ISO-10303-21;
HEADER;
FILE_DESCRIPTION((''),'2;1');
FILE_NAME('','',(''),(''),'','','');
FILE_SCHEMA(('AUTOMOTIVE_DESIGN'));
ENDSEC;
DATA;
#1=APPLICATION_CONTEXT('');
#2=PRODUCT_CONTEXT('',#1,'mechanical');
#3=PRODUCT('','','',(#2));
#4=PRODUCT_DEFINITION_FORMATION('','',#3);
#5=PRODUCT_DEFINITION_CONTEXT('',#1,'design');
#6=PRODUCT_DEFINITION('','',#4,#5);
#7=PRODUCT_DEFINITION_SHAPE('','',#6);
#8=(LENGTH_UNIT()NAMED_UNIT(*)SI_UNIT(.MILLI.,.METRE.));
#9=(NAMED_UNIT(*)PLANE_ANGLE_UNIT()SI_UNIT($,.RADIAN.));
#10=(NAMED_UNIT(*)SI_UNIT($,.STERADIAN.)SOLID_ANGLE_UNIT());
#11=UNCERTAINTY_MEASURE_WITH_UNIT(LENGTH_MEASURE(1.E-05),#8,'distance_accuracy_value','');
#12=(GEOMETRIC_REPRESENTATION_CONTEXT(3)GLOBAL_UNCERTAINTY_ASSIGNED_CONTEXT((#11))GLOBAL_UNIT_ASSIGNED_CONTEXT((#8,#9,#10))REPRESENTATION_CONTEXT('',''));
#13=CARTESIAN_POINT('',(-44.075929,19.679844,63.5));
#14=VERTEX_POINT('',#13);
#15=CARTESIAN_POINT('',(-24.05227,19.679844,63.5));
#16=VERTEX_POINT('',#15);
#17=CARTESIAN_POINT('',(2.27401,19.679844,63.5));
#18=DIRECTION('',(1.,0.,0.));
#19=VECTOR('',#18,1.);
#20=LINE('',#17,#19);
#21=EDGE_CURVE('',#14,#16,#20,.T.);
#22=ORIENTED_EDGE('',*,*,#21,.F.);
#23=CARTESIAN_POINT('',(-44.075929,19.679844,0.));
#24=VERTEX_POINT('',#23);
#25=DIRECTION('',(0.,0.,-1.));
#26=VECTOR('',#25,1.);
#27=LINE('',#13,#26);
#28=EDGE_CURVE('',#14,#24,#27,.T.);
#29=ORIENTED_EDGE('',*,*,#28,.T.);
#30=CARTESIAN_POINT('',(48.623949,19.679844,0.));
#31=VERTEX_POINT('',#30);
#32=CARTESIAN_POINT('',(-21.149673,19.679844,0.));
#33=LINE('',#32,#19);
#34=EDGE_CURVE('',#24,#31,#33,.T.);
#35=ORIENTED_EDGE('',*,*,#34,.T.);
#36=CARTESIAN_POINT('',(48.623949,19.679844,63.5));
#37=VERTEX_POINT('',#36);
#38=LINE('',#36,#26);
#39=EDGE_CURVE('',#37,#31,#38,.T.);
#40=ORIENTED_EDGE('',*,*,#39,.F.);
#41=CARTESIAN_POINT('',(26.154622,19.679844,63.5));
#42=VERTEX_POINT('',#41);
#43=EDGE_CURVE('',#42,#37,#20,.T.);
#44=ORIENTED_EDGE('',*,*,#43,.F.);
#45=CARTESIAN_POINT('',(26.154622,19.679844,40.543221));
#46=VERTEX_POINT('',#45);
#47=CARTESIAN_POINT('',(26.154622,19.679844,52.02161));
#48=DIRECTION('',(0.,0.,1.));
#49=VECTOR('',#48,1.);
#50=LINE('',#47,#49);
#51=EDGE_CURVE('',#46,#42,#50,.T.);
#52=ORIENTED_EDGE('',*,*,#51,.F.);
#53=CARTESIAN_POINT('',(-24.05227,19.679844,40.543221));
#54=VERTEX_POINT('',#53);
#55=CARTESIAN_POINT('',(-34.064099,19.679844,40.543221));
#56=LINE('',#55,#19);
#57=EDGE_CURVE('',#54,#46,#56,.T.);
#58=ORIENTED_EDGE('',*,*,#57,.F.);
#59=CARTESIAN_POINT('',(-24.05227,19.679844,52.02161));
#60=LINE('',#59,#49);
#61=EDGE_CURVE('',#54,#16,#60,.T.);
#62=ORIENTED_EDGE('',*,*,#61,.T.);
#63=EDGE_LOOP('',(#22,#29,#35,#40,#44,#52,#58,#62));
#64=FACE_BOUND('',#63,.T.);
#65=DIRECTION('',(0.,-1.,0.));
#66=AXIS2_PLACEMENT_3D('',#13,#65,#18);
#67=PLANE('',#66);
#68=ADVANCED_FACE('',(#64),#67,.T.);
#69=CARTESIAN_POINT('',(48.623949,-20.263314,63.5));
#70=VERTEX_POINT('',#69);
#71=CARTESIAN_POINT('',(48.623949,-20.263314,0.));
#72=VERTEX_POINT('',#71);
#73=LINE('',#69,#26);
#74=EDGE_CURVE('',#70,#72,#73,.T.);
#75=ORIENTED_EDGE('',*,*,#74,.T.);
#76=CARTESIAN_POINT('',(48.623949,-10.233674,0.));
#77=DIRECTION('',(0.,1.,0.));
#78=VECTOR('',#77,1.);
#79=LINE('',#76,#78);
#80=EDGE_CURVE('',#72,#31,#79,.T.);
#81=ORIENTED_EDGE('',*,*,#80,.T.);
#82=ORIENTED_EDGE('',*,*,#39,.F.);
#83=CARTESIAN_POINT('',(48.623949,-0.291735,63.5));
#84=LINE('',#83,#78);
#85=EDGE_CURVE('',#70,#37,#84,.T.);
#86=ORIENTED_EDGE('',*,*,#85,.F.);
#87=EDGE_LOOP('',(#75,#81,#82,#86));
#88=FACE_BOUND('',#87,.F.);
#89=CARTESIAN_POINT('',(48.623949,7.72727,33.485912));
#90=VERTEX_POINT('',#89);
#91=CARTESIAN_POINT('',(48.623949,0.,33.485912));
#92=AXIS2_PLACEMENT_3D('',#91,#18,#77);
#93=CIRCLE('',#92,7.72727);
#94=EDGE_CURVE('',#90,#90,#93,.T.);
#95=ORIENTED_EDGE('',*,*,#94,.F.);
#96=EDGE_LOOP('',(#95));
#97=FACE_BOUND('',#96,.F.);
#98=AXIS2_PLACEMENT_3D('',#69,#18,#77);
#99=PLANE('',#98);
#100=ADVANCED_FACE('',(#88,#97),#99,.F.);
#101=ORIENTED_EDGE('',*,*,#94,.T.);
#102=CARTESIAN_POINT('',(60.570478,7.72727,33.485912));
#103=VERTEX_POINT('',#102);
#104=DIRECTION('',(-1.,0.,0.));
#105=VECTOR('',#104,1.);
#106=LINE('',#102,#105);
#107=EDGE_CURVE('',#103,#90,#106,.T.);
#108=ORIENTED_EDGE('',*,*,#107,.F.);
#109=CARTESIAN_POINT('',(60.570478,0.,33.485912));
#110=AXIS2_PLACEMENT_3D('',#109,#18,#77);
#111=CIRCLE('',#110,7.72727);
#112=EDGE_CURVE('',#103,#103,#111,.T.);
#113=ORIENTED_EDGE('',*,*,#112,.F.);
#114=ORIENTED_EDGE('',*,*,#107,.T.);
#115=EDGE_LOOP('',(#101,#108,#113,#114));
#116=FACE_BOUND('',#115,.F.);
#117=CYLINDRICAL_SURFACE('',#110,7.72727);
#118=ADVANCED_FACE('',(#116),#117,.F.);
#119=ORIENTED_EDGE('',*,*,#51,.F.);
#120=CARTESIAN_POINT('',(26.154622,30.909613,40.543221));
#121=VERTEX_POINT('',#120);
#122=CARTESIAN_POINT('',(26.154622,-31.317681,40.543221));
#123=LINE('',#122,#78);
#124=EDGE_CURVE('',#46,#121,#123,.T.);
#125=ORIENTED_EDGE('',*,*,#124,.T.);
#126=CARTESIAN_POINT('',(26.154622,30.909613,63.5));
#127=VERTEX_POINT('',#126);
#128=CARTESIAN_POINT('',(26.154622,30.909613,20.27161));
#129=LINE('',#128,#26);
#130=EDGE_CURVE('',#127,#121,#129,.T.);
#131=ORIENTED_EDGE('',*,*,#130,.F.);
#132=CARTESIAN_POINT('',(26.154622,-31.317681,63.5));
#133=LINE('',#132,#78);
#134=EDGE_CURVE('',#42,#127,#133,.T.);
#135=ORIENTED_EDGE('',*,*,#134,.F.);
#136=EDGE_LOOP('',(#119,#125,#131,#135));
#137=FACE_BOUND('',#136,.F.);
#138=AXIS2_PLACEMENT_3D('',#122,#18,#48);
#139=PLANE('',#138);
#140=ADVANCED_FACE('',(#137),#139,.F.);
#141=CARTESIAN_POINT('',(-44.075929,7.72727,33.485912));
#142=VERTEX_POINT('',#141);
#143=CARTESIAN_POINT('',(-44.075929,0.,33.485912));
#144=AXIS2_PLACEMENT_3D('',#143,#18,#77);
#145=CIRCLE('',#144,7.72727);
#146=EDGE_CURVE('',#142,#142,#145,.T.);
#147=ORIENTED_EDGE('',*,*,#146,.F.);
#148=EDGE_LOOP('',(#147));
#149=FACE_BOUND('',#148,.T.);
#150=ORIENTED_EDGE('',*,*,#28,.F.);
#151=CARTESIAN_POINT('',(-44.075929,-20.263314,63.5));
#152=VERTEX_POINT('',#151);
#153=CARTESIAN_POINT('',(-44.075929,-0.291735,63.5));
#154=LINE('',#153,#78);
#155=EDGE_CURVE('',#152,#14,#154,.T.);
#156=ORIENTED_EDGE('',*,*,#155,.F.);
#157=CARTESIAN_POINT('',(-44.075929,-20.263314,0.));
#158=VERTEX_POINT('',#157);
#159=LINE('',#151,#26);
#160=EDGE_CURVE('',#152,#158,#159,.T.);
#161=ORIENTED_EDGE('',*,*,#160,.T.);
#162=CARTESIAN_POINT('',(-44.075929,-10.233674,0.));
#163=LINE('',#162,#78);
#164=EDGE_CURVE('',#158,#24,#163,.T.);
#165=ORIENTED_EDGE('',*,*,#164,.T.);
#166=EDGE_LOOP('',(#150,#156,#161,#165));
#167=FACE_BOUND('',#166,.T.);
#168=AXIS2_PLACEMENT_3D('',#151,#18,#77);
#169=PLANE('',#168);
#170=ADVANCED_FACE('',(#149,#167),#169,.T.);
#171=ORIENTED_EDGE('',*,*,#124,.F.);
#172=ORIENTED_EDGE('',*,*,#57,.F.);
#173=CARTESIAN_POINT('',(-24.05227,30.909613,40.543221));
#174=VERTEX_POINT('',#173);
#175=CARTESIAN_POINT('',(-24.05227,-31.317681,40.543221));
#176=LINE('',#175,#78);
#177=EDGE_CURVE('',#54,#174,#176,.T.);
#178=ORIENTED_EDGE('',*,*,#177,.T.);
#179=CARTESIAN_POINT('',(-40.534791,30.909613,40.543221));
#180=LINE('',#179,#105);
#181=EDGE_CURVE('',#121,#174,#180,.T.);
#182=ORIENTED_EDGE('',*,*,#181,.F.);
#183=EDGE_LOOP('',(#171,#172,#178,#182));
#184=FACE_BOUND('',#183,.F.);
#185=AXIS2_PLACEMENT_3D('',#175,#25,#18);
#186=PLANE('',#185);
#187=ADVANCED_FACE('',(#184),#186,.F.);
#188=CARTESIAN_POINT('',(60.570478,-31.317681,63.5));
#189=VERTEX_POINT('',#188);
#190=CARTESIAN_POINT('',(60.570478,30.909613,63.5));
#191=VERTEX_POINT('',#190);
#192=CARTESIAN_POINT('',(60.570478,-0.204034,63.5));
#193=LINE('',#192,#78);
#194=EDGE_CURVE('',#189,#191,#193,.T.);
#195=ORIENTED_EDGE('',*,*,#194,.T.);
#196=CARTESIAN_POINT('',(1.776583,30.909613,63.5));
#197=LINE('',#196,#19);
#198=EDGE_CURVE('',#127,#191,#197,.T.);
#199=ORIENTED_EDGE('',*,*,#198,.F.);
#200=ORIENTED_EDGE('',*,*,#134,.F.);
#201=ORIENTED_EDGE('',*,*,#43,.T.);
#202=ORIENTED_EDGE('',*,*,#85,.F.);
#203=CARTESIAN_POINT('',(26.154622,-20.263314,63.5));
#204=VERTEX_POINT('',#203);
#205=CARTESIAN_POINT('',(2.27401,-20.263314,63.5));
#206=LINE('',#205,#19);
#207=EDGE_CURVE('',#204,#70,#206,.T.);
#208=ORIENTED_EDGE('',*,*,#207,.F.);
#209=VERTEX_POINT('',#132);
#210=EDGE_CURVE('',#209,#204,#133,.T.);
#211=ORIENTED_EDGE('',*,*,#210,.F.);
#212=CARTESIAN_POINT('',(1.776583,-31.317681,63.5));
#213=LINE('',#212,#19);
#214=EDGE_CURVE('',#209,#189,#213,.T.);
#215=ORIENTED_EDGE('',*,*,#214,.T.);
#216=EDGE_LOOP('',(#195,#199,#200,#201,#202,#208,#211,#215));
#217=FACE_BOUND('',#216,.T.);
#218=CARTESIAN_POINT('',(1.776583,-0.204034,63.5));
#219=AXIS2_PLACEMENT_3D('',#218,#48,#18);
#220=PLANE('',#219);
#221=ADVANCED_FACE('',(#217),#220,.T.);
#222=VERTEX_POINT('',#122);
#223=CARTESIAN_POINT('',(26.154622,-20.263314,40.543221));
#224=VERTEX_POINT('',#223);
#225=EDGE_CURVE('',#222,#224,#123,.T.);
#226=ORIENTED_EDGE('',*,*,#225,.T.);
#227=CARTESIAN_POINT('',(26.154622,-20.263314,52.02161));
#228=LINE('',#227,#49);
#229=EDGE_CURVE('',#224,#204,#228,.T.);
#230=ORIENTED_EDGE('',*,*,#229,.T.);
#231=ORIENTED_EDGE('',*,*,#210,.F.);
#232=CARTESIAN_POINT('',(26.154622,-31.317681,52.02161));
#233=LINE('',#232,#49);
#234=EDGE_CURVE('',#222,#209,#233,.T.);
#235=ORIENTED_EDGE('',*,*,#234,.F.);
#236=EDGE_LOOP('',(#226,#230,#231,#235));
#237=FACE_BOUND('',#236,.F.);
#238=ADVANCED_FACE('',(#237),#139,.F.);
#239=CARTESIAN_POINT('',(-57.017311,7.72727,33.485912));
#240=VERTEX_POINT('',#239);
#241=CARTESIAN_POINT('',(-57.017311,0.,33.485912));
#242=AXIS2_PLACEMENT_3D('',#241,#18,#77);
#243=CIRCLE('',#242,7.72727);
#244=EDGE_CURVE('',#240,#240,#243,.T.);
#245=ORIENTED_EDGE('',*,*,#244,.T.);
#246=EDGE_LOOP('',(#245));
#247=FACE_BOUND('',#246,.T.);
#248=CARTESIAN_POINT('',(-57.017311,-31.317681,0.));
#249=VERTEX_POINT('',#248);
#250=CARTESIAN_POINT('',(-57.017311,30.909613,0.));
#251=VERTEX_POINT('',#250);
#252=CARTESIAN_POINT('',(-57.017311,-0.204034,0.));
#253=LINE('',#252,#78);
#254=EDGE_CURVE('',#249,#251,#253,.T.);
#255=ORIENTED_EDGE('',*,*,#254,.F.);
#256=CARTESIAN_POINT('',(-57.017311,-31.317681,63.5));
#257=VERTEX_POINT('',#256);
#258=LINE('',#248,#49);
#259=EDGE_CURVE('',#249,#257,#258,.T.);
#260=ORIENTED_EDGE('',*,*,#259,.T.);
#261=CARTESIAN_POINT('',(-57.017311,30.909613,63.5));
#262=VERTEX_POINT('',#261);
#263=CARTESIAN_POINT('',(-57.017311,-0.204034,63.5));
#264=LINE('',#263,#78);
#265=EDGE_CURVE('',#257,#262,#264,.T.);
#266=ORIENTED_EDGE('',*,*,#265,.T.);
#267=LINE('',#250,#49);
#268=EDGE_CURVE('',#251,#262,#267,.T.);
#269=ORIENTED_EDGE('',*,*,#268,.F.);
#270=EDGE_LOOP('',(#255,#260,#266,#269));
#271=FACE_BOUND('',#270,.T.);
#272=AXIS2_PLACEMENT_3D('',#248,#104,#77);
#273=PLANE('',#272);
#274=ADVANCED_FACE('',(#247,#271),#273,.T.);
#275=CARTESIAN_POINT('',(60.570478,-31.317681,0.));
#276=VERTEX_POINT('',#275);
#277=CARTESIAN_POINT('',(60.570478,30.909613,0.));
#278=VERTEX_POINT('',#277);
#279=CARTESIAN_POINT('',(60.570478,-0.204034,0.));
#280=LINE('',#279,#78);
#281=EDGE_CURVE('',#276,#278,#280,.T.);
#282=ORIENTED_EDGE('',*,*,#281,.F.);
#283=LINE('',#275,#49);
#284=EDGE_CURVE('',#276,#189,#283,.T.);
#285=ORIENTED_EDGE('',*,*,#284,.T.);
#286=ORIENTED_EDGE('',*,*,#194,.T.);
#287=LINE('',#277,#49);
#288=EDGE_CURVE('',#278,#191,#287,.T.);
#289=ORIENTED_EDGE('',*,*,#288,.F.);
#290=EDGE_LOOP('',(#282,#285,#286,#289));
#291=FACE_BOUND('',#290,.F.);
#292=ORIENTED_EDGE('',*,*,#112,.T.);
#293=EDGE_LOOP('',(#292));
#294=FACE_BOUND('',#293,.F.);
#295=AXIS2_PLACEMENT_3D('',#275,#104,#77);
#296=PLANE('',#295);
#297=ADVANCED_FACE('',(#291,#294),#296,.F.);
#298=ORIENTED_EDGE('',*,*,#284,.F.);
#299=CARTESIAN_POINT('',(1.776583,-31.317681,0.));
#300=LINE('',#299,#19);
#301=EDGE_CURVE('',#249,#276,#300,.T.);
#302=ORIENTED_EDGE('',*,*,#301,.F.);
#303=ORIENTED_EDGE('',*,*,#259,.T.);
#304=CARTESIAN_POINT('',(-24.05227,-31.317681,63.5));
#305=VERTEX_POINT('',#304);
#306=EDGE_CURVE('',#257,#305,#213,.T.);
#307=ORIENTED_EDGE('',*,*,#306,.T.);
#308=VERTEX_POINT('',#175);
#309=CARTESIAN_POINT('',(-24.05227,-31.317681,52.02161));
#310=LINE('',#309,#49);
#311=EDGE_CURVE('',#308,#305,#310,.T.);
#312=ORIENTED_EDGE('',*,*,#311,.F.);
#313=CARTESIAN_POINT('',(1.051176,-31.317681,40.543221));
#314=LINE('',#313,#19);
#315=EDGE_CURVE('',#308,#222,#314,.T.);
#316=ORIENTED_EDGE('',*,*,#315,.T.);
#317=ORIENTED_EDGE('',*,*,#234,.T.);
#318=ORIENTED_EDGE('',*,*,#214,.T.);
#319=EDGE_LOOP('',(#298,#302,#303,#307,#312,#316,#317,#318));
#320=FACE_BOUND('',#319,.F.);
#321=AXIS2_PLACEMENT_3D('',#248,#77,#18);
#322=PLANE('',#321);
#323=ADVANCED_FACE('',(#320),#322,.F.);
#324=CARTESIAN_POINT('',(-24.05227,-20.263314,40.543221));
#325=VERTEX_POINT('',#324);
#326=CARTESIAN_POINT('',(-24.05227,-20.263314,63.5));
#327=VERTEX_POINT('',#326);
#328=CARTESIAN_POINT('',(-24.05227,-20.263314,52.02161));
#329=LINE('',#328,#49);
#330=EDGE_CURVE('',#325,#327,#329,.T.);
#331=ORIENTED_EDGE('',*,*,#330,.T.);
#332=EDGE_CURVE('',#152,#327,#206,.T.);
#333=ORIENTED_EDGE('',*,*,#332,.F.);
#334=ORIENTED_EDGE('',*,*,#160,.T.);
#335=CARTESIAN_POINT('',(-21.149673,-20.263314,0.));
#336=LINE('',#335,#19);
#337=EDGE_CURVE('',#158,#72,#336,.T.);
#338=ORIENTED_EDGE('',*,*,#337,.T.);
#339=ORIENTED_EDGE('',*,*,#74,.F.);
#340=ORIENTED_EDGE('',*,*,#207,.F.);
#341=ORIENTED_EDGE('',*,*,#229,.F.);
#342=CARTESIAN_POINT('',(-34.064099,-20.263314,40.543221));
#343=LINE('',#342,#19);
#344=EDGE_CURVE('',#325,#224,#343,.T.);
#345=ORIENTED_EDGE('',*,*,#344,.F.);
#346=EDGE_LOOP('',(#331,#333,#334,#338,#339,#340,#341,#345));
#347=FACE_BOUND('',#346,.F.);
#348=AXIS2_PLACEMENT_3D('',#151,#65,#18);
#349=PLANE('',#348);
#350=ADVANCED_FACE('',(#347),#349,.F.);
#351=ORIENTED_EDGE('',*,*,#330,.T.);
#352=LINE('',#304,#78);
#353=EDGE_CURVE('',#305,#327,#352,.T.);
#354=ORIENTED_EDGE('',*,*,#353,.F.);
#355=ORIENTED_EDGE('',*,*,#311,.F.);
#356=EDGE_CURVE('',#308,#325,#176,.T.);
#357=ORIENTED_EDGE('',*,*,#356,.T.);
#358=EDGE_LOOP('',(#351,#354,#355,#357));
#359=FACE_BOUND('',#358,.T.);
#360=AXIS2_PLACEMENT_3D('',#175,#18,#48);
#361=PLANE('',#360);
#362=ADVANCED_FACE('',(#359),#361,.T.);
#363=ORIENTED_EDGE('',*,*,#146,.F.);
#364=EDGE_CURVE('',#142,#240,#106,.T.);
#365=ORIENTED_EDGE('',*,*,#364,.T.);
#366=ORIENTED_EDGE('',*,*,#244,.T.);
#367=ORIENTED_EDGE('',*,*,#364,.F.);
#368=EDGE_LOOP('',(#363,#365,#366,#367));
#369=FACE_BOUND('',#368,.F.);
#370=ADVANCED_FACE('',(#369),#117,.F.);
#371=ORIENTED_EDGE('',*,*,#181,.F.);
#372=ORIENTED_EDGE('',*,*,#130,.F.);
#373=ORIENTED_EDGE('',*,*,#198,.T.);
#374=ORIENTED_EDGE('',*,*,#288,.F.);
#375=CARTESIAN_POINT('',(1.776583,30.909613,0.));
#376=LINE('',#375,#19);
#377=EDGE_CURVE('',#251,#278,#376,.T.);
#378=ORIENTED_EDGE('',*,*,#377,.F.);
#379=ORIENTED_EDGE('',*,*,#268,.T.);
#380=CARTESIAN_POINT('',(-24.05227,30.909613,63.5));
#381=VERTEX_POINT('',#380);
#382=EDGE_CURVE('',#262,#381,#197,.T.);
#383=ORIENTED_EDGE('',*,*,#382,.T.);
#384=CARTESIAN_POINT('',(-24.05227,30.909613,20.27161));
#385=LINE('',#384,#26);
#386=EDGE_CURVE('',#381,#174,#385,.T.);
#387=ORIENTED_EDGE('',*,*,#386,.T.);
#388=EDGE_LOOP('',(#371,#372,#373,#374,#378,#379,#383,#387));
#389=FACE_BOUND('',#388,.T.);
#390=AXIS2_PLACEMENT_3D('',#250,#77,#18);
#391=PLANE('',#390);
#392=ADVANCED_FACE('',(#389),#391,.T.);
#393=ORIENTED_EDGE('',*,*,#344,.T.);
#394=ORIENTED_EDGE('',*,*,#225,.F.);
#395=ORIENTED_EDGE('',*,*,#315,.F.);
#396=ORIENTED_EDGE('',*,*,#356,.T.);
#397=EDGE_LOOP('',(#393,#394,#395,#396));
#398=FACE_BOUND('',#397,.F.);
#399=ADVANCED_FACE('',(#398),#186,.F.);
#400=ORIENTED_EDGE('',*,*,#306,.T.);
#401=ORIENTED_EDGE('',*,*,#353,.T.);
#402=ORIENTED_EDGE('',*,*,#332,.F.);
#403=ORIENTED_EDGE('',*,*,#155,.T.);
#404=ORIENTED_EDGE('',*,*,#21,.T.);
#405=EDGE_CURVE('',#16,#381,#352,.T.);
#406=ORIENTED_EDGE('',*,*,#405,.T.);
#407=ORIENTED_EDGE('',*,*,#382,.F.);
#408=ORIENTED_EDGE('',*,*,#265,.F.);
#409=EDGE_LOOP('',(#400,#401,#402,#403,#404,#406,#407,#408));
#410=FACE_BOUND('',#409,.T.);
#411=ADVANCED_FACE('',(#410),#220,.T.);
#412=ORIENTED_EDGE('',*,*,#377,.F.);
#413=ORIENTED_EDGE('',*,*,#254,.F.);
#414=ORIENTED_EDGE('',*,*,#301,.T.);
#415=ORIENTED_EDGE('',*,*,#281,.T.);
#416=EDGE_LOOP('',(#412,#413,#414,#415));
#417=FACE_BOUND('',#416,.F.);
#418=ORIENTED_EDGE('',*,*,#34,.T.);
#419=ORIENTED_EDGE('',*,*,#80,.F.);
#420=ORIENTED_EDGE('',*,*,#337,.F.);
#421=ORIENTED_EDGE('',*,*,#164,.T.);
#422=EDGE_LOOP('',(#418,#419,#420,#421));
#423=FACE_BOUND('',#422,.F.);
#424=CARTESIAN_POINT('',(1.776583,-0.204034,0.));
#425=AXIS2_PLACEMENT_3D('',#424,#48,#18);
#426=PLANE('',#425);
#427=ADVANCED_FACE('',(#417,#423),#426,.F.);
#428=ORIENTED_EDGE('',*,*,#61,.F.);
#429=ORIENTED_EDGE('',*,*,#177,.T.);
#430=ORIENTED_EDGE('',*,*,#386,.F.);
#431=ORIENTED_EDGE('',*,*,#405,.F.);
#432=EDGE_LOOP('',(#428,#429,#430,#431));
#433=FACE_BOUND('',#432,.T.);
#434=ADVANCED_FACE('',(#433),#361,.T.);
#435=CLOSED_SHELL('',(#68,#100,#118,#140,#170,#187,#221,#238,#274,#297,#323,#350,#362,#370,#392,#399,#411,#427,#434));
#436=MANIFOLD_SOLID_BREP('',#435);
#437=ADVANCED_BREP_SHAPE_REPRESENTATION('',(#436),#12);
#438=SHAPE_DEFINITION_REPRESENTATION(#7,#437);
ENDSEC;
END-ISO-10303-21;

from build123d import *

# Parameters (mm, degrees)
F4_W     = 117.5877898932
F4_H     = 62.227293849
F0_DEPTH = 63.5
F5_W     = 92.6998779178
F5_H     = 39.9431586266
F1_DEPTH = 63.501
F2_R     = 7.7272697415
F3_DEPTH = 117.5887898932
F6_W     = 50.2068921924
F6_H     = 22.9567790627
F7_DEPTH = 62.228293849


with BuildPart() as f0:
    # F4 (on Top) → F0 (new body)
    with BuildSketch(Plane.XY):
        with Locations((1.7765834928, -0.2040341496)):
            Rectangle(F4_W, F4_H)
    extrude(amount=F0_DEPTH)

    # F5 (on face) → F1 (cut, through all)
    with BuildSketch(Plane.XY.offset(63.5)):
        with Locations((2.2740103304, -0.2917349339)):
            Rectangle(F5_W, F5_H)
    extrude(amount=-F1_DEPTH, mode=Mode.SUBTRACT)

    # F2 (on face) → F3 (cut, through all)
    with BuildSketch(Plane.YZ.offset(60.5704784393)):
        with Locations((0, 33.4859117866)):
            Circle(F2_R)
    extrude(amount=-F3_DEPTH, mode=Mode.SUBTRACT)

    # F6 (on face) → F7 (cut, through all)
    with BuildSketch(Plane.XZ.offset(31.3176810741)):
        with Locations((1.0511763394, 52.0216104686)):
            Rectangle(F6_W, F6_H)
    extrude(amount=-F7_DEPTH, mode=Mode.SUBTRACT)


solid = f0.part
